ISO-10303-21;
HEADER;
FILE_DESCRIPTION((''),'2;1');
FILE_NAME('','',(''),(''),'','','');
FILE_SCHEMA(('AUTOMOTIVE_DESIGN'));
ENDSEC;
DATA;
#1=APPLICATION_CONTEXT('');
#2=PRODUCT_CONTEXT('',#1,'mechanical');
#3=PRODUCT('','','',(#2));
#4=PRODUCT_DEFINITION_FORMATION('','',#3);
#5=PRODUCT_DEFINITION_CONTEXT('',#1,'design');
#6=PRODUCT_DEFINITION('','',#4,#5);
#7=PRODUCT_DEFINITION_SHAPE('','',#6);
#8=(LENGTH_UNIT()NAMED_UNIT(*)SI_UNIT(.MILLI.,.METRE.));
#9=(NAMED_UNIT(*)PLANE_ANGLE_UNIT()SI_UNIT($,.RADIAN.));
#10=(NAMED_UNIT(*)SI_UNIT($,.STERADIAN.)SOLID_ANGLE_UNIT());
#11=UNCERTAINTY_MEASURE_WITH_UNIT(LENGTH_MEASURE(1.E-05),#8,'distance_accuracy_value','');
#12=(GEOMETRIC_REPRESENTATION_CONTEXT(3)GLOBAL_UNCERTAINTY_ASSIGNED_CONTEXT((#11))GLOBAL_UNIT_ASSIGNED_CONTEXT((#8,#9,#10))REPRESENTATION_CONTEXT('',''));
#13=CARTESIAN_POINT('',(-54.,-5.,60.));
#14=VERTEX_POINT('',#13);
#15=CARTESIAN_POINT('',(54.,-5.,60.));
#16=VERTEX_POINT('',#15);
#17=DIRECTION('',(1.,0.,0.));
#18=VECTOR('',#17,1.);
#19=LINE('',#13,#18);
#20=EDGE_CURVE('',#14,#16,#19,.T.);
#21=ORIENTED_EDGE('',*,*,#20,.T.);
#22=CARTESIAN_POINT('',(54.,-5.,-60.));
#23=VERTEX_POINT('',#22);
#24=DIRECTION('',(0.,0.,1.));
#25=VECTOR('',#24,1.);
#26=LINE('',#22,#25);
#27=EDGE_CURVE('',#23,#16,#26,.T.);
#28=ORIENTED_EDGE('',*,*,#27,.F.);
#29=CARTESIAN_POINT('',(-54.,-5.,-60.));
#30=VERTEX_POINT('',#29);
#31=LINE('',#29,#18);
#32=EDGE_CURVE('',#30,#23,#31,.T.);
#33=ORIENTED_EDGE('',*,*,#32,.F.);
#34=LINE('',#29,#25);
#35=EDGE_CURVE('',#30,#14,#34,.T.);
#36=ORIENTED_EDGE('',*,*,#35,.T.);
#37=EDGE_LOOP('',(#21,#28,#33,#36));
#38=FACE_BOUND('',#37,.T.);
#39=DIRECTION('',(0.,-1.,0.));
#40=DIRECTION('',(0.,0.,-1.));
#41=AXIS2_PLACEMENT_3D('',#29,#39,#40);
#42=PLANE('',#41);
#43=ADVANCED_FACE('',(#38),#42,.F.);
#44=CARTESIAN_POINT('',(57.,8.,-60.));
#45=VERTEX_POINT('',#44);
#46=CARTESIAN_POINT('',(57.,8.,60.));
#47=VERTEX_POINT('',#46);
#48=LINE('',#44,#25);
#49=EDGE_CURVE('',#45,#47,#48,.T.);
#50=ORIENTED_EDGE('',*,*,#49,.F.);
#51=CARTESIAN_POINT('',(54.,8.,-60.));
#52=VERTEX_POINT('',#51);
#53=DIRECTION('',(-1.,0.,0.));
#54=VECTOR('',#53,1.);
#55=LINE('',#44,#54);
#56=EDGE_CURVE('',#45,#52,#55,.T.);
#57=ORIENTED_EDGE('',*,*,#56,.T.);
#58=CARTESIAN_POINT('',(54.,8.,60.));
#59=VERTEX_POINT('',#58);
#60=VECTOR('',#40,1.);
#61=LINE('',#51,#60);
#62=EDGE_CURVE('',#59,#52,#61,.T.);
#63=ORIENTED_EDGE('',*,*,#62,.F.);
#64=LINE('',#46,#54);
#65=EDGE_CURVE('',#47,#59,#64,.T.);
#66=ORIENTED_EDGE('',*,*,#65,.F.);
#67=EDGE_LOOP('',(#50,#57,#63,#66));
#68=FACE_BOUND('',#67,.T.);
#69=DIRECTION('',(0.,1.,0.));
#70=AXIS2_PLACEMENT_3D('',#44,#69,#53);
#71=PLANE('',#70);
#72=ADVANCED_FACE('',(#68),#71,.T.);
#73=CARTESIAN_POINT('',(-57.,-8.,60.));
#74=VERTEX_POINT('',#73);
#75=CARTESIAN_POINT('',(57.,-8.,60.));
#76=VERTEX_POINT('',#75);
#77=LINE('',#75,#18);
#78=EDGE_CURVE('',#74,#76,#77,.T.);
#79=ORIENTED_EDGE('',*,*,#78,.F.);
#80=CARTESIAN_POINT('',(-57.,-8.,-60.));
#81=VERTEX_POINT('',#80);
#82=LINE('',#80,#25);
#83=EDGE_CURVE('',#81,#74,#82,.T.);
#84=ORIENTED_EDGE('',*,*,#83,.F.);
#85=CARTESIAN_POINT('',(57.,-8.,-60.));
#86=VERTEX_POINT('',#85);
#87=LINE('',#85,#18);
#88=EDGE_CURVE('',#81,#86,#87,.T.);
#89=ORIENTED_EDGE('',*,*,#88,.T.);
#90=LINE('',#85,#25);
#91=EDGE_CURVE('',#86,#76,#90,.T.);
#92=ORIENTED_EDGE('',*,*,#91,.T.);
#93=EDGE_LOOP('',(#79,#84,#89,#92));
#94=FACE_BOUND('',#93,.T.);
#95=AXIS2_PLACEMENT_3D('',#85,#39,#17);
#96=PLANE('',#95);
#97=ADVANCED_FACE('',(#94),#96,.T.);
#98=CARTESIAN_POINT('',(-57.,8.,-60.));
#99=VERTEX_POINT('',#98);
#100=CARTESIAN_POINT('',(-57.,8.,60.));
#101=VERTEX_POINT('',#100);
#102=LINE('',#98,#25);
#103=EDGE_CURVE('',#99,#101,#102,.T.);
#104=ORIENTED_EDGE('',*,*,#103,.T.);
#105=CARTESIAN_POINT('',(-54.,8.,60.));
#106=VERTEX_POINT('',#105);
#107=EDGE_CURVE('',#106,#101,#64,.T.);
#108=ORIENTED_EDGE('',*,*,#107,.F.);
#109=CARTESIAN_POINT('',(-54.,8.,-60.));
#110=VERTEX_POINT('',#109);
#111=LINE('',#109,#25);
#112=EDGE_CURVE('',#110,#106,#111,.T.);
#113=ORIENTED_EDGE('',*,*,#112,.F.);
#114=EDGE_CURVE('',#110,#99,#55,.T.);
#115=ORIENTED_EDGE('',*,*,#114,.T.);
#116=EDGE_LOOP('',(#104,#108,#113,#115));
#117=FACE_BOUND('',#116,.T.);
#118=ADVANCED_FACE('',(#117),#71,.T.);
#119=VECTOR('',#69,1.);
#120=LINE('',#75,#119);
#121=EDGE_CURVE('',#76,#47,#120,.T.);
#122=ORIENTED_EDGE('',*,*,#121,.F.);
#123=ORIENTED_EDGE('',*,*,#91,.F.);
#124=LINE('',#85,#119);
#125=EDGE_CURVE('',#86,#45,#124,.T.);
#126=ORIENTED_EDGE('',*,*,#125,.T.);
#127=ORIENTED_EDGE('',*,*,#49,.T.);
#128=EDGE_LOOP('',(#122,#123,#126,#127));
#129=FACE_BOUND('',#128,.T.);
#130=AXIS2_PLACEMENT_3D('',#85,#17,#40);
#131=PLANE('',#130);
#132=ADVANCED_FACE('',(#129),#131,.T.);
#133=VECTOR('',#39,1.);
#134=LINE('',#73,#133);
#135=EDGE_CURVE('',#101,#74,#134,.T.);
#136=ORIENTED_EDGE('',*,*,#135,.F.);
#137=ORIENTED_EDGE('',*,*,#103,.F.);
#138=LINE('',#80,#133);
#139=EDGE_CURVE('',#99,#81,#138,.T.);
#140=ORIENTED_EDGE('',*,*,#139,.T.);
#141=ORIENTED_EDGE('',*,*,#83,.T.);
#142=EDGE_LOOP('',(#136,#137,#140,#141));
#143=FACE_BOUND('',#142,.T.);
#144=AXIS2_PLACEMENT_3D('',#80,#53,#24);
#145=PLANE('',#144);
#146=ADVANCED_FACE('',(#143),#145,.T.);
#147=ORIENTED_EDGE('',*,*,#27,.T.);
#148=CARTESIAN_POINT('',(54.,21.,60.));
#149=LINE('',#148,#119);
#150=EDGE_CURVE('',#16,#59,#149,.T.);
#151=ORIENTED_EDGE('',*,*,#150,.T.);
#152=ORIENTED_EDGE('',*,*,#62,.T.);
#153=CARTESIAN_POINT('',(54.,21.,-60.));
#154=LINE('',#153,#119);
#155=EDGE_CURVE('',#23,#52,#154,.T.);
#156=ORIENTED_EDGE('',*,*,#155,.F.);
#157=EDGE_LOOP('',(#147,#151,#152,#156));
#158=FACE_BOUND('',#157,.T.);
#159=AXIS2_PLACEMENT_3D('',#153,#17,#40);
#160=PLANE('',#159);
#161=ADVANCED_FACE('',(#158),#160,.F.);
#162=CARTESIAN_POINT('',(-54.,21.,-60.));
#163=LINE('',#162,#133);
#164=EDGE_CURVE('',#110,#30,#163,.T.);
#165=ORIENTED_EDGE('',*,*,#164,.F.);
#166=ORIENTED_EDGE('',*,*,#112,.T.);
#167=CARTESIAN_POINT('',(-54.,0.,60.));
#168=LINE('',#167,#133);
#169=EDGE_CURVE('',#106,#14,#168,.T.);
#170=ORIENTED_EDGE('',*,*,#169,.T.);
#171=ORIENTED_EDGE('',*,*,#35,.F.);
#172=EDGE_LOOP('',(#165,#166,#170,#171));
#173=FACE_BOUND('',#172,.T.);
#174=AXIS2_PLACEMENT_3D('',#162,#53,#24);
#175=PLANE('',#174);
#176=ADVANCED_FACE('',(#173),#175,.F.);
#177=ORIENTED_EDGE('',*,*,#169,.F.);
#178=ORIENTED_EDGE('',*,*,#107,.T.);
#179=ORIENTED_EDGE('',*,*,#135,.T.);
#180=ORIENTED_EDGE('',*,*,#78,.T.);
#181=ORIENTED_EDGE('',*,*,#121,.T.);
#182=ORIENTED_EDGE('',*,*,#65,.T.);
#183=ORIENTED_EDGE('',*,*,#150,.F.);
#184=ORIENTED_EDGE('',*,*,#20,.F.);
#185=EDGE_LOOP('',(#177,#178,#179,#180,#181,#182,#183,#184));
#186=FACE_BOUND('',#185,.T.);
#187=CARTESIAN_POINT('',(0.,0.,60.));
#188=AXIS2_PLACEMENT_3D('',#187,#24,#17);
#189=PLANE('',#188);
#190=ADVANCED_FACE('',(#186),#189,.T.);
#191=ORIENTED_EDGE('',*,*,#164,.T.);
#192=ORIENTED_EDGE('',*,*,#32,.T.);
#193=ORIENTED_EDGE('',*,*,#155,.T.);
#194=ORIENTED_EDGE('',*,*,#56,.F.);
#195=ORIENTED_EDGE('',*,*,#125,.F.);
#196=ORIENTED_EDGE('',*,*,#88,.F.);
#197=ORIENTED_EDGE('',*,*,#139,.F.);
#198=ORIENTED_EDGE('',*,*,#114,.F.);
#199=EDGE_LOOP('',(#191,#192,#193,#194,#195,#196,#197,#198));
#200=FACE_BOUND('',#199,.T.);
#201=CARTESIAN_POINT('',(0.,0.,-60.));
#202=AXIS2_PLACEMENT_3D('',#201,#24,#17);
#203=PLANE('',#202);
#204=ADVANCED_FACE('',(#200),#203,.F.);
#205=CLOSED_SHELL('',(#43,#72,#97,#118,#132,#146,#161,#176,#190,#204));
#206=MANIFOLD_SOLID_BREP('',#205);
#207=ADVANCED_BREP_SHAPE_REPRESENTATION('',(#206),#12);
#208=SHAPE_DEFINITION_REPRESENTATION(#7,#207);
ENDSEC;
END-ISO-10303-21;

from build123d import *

# Parameters (mm, degrees)
BOSS_EXTRUDE1_DEPTH      = 60
BOSS_EXTRUDE1_DEPTH_BACK = 60
SKETCH1_W                = 114
SKETCH1_H                = 16
SKETCH2_W                = 108
SKETCH2_H                = 26
CUT_EXTRUDE1_DEPTH       = 134.090194981


with BuildPart() as part:
    # Sketch1 → Boss-Extrude1 (new, two sides: drawn at the far end of the back side and taken through both)
    with BuildSketch(Plane.XY.offset(-BOSS_EXTRUDE1_DEPTH_BACK)):
        Rectangle(SKETCH1_W, SKETCH1_H)
    extrude(amount=BOSS_EXTRUDE1_DEPTH + BOSS_EXTRUDE1_DEPTH_BACK)

    # Sketch2 → Cut-Extrude1 (cut, through all)
    with BuildSketch(Plane.XY.offset(60)):
        with Locations((0, 8)):
            Rectangle(SKETCH2_W, SKETCH2_H)
    extrude(amount=-CUT_EXTRUDE1_DEPTH, mode=Mode.SUBTRACT)


solid = part.part
